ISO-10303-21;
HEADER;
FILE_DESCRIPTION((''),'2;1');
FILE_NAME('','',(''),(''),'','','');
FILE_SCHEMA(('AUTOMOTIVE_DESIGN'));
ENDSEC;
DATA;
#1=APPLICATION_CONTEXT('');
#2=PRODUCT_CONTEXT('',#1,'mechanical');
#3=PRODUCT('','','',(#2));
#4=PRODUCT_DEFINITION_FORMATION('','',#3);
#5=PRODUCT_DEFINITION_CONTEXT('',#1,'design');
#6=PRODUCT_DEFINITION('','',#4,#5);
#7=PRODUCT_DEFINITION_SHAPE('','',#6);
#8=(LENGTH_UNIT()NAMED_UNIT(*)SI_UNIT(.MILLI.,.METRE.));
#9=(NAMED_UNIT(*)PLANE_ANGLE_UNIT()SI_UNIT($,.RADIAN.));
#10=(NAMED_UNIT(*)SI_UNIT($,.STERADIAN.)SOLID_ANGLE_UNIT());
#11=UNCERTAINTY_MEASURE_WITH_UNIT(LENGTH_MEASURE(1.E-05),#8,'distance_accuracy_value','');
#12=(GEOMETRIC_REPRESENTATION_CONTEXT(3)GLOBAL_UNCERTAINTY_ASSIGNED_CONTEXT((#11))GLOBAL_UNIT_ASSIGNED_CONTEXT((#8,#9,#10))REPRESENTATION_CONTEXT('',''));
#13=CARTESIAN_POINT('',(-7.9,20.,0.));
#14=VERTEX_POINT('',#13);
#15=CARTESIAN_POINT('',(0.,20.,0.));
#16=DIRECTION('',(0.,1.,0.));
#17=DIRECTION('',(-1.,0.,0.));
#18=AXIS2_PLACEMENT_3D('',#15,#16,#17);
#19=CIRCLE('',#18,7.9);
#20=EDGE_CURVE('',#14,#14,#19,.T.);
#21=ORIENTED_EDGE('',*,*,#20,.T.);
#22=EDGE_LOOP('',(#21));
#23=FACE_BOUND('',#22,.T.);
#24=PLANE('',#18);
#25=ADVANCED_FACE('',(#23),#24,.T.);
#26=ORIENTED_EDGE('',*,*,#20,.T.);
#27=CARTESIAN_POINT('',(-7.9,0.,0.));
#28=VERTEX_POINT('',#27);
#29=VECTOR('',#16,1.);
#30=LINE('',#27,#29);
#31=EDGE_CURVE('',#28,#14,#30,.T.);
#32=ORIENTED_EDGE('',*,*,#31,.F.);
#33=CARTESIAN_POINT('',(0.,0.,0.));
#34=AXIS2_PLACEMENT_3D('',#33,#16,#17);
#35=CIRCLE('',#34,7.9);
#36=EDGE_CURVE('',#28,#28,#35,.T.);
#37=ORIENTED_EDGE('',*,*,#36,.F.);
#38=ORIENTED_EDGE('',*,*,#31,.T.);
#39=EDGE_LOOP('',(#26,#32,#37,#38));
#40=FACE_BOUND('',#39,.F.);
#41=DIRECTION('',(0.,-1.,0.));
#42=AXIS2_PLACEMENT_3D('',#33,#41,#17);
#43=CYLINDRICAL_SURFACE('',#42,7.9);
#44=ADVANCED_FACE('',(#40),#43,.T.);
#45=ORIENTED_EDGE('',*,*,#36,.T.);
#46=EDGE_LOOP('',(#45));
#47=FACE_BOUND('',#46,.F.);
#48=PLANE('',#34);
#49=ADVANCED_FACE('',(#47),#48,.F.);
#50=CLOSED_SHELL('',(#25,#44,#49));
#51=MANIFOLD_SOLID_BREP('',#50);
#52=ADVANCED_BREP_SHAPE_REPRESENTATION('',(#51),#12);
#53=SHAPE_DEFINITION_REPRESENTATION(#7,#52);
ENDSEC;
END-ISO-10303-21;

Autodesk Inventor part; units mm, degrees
ref_plane "YZ Plane" through (0, 0, 0) normal (1, 0, 0) x (0, 1, 0)
ref_plane "XZ Plane" through (0, 0, 0) normal (0, 1, 0) x (-1, 0, 0)
ref_plane "XY Plane" through (0, 0, 0) normal (0, 0, 1) x (1, 0, 0)
sketch "Sketch1" plane through (0, 0, 0) normal (0, 1, 0) x (-1, 0, 0)
  circle A0 centre (0, 0) radius 7.9
  dimension "d0" = 15.8
extrude "Extrusion1" add sketch "Sketch1" along normal blind 20
properties part number "literally-just-a-cylinder-for-assembly-mockup-(silicone-sleeve)"
